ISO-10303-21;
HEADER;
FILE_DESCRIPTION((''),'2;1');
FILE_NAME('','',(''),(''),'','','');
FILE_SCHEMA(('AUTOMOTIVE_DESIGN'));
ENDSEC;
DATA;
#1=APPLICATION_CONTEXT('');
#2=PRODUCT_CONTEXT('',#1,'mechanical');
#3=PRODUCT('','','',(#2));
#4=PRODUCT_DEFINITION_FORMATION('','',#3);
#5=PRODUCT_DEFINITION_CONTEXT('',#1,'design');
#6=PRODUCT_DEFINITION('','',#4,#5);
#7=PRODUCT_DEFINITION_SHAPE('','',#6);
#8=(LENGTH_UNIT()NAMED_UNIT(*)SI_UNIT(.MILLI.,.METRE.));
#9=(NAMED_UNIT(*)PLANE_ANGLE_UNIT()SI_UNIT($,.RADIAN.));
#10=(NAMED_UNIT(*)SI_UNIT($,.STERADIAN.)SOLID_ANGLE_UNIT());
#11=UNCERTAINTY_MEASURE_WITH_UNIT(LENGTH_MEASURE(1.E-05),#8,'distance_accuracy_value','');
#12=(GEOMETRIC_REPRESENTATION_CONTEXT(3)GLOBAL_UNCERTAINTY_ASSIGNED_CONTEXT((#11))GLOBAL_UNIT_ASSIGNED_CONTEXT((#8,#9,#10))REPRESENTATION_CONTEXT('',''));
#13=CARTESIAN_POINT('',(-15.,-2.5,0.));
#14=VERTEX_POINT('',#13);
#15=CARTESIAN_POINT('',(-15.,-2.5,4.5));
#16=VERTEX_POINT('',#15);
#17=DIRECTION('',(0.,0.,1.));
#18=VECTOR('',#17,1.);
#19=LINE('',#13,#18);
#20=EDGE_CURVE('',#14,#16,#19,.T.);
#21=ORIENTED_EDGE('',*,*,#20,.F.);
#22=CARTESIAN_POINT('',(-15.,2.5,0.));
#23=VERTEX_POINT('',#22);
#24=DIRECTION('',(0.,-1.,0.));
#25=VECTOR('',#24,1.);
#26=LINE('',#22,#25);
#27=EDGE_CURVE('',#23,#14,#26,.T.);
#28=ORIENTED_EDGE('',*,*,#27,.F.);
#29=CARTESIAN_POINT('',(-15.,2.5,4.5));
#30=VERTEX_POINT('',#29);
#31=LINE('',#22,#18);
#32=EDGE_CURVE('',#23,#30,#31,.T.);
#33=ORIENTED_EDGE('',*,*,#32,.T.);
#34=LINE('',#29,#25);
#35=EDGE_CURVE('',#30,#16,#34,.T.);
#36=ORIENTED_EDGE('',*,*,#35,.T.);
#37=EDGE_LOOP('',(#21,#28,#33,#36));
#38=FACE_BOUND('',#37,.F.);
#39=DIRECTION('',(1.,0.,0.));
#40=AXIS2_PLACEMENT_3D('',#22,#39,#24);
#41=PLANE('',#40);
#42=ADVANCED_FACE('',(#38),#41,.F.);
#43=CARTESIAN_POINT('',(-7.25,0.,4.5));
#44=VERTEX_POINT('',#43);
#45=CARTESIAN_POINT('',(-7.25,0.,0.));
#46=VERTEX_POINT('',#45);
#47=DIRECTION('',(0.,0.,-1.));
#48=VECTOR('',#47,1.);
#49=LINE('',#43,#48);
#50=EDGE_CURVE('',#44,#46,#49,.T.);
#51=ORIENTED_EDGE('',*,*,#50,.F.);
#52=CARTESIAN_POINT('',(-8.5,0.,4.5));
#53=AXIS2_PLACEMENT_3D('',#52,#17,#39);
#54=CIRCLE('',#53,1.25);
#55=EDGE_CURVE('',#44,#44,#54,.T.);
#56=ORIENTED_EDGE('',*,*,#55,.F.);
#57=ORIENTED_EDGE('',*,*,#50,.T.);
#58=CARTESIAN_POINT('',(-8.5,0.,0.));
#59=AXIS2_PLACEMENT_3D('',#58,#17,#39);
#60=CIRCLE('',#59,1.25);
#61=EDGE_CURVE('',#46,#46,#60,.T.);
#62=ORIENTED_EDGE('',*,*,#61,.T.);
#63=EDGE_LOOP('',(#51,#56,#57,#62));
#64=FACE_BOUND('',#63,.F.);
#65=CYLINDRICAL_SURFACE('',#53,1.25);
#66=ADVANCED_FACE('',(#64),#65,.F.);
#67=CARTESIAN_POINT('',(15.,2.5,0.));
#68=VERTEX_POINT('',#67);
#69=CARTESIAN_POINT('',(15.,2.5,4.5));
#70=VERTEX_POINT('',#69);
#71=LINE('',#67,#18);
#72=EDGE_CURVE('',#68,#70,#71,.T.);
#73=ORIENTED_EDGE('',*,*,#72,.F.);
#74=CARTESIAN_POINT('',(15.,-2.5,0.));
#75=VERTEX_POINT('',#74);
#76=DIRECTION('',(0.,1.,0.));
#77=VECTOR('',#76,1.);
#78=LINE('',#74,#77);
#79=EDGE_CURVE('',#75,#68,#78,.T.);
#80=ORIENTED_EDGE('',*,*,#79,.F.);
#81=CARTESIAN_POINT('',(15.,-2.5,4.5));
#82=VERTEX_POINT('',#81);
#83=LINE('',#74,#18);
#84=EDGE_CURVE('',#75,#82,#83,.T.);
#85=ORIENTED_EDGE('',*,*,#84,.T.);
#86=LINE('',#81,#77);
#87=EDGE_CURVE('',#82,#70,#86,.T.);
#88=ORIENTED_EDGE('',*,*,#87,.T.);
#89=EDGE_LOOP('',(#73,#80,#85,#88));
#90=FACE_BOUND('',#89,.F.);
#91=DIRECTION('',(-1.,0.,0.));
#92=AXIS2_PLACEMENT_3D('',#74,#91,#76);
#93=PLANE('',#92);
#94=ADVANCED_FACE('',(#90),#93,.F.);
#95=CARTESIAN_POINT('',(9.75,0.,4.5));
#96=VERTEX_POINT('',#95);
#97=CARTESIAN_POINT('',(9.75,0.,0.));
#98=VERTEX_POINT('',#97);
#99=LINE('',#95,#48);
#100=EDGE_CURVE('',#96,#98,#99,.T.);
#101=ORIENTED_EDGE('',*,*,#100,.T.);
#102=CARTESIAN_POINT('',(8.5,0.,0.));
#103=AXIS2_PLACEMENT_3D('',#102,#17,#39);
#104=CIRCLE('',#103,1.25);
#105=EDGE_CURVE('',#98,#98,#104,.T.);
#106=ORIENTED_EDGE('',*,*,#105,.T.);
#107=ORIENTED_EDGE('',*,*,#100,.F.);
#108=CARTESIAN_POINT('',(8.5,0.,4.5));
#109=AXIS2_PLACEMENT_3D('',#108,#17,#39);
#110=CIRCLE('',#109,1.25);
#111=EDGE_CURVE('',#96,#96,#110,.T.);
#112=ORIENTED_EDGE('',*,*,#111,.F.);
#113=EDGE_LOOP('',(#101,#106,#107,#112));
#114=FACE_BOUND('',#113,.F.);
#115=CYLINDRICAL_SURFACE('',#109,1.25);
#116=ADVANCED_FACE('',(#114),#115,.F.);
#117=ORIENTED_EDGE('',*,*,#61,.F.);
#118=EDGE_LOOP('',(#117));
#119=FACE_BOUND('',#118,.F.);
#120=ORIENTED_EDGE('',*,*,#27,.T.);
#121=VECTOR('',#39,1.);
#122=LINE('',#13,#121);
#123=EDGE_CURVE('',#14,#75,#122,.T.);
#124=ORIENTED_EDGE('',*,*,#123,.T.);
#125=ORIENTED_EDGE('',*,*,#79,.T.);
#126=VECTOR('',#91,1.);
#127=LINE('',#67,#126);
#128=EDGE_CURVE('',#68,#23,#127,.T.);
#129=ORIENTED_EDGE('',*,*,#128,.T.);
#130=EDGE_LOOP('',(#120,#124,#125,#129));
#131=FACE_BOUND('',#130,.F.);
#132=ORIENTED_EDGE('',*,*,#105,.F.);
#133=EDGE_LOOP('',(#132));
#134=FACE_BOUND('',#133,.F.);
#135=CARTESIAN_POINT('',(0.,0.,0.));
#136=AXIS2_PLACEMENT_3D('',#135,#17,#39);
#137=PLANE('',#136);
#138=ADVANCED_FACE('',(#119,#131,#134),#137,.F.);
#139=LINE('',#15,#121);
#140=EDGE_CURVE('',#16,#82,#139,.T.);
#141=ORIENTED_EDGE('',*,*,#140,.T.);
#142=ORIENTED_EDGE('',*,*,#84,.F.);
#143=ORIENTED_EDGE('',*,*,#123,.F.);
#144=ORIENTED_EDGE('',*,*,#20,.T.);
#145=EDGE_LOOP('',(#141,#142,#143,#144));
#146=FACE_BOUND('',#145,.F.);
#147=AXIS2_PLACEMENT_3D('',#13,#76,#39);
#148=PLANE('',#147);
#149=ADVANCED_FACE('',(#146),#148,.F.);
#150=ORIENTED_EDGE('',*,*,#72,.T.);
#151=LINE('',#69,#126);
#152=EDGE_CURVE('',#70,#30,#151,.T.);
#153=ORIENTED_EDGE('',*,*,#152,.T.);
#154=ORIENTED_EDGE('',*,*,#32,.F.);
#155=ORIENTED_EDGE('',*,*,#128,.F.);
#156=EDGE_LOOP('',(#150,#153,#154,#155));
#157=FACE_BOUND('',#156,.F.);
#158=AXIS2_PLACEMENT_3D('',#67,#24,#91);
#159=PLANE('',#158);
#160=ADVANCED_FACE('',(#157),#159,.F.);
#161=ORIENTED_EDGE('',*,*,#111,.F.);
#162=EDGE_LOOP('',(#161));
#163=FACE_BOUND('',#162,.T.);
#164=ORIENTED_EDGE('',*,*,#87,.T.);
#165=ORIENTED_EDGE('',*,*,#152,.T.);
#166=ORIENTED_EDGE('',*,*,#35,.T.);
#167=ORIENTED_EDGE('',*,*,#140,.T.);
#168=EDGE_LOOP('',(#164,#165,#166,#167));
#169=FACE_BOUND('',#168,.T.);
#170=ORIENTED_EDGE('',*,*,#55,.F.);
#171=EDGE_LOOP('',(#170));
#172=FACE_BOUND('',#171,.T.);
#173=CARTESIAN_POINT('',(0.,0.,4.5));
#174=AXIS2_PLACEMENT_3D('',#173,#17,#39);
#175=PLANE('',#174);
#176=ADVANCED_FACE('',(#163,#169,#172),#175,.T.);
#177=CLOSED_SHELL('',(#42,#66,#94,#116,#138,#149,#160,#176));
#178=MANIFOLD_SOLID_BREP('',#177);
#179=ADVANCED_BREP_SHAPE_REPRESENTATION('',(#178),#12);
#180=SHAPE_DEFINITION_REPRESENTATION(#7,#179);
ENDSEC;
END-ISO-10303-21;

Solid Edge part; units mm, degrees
sketch "Sketch1" plane through (0, 0, 0) normal (0, 0, 1) x (1, 0, 0)
  line L0 (-15, -2.5) -> (15, -2.5)
  line L1 (15, -2.5) -> (15, 2.5)
  line L2 (15, 2.5) -> (-15, 2.5)
  line L3 (-15, 2.5) -> (-15, -2.5)
  dimension "D1" = 30
  dimension "D2" = 5
extrude "Protrusion1" add sketch "Sketch1" along normal blind 4.5
sketch "Sketch2" plane through (0, 0, 4.5) normal (0, 0, 1) x (1, 0, 0)
  circle A0 centre (-8.5, 0) radius 1.25
  circle A1 centre (8.5, 0) radius 1.25
  dimension "D1" = 2.5
  dimension "D2" = 8.5
  dimension "D3" = 8.5
extrude "Cutout1" cut sketch "Sketch2" against normal through all
properties material "ABS Plastic, medium impact"
